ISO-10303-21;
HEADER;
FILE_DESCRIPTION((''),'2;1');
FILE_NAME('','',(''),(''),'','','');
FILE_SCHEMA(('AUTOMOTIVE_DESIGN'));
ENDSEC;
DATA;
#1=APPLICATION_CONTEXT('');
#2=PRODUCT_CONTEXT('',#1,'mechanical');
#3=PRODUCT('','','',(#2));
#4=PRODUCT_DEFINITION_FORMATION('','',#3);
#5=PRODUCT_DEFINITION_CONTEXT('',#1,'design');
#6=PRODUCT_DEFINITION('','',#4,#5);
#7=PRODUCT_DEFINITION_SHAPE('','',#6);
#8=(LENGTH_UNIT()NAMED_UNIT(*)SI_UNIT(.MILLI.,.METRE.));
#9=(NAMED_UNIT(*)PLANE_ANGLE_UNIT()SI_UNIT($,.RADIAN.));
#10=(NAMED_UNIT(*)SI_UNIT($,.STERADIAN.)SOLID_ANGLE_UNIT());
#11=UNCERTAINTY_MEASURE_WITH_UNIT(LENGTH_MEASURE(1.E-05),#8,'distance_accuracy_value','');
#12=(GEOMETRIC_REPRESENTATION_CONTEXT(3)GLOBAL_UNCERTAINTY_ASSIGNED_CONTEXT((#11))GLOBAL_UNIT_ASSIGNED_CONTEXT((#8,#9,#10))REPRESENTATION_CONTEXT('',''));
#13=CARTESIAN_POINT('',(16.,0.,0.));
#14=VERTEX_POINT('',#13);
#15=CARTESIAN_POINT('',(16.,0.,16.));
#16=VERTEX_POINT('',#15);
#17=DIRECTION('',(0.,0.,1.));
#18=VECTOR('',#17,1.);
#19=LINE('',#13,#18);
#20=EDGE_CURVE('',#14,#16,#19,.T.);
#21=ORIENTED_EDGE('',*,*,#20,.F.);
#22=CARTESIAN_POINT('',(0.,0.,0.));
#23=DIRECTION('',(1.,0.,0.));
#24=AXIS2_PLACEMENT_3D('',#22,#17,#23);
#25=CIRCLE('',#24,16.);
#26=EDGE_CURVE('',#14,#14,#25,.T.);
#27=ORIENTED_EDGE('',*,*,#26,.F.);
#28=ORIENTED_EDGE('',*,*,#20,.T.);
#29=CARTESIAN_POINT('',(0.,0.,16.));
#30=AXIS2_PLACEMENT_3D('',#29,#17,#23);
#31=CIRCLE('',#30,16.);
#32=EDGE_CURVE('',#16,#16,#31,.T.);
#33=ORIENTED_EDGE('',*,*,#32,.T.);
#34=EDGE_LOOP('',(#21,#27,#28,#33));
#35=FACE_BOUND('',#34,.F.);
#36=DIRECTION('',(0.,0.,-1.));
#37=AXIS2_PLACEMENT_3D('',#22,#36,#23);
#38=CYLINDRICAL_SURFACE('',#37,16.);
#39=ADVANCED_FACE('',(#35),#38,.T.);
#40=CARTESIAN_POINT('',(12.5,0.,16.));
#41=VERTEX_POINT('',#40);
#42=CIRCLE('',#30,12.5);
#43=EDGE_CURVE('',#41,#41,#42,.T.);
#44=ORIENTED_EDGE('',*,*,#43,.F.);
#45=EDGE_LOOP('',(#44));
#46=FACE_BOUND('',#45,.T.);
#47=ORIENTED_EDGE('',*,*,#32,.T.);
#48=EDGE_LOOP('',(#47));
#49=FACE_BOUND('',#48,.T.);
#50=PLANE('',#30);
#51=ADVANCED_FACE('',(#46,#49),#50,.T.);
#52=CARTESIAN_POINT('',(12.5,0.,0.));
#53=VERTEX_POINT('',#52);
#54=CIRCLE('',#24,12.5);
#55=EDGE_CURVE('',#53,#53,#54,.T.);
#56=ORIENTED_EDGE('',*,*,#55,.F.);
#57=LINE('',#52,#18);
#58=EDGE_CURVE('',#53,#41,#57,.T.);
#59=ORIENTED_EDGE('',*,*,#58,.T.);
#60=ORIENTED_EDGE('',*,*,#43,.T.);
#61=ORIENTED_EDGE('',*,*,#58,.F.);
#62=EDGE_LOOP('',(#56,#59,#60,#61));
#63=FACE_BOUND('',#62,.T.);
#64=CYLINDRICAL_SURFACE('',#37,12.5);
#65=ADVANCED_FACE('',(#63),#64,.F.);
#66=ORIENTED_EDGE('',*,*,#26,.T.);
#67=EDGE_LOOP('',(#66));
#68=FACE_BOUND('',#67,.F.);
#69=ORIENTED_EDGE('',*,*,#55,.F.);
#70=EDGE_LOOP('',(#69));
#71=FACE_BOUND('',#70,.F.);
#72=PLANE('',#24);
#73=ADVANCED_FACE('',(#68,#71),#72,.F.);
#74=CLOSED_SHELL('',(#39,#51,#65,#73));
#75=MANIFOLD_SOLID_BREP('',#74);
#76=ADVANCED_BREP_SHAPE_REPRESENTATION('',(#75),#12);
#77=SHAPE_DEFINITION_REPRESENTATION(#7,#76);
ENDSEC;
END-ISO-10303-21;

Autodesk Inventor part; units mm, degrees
ref_plane "YZ Plane" through (0, 0, 0) normal (1, 0, 0) x (0, 1, 0)
ref_plane "XZ Plane" through (0, 0, 0) normal (0, 1, 0) x (-1, 0, 0)
ref_plane "XY Plane" through (0, 0, 0) normal (0, 0, 1) x (1, 0, 0)
sketch "Sketch1" plane through (0, 0, 0) normal (0, 0, 1) x (1, 0, 0)
  circle A0 centre (0, 0) radius 12.5
  circle A1 centre (0, 0) radius 16
  dimension "d0" = 25
  dimension "d1" = 32
extrude "Extrusion1" add sketch "Sketch1" along normal blind 16
properties part number "bague 25 32 16"
